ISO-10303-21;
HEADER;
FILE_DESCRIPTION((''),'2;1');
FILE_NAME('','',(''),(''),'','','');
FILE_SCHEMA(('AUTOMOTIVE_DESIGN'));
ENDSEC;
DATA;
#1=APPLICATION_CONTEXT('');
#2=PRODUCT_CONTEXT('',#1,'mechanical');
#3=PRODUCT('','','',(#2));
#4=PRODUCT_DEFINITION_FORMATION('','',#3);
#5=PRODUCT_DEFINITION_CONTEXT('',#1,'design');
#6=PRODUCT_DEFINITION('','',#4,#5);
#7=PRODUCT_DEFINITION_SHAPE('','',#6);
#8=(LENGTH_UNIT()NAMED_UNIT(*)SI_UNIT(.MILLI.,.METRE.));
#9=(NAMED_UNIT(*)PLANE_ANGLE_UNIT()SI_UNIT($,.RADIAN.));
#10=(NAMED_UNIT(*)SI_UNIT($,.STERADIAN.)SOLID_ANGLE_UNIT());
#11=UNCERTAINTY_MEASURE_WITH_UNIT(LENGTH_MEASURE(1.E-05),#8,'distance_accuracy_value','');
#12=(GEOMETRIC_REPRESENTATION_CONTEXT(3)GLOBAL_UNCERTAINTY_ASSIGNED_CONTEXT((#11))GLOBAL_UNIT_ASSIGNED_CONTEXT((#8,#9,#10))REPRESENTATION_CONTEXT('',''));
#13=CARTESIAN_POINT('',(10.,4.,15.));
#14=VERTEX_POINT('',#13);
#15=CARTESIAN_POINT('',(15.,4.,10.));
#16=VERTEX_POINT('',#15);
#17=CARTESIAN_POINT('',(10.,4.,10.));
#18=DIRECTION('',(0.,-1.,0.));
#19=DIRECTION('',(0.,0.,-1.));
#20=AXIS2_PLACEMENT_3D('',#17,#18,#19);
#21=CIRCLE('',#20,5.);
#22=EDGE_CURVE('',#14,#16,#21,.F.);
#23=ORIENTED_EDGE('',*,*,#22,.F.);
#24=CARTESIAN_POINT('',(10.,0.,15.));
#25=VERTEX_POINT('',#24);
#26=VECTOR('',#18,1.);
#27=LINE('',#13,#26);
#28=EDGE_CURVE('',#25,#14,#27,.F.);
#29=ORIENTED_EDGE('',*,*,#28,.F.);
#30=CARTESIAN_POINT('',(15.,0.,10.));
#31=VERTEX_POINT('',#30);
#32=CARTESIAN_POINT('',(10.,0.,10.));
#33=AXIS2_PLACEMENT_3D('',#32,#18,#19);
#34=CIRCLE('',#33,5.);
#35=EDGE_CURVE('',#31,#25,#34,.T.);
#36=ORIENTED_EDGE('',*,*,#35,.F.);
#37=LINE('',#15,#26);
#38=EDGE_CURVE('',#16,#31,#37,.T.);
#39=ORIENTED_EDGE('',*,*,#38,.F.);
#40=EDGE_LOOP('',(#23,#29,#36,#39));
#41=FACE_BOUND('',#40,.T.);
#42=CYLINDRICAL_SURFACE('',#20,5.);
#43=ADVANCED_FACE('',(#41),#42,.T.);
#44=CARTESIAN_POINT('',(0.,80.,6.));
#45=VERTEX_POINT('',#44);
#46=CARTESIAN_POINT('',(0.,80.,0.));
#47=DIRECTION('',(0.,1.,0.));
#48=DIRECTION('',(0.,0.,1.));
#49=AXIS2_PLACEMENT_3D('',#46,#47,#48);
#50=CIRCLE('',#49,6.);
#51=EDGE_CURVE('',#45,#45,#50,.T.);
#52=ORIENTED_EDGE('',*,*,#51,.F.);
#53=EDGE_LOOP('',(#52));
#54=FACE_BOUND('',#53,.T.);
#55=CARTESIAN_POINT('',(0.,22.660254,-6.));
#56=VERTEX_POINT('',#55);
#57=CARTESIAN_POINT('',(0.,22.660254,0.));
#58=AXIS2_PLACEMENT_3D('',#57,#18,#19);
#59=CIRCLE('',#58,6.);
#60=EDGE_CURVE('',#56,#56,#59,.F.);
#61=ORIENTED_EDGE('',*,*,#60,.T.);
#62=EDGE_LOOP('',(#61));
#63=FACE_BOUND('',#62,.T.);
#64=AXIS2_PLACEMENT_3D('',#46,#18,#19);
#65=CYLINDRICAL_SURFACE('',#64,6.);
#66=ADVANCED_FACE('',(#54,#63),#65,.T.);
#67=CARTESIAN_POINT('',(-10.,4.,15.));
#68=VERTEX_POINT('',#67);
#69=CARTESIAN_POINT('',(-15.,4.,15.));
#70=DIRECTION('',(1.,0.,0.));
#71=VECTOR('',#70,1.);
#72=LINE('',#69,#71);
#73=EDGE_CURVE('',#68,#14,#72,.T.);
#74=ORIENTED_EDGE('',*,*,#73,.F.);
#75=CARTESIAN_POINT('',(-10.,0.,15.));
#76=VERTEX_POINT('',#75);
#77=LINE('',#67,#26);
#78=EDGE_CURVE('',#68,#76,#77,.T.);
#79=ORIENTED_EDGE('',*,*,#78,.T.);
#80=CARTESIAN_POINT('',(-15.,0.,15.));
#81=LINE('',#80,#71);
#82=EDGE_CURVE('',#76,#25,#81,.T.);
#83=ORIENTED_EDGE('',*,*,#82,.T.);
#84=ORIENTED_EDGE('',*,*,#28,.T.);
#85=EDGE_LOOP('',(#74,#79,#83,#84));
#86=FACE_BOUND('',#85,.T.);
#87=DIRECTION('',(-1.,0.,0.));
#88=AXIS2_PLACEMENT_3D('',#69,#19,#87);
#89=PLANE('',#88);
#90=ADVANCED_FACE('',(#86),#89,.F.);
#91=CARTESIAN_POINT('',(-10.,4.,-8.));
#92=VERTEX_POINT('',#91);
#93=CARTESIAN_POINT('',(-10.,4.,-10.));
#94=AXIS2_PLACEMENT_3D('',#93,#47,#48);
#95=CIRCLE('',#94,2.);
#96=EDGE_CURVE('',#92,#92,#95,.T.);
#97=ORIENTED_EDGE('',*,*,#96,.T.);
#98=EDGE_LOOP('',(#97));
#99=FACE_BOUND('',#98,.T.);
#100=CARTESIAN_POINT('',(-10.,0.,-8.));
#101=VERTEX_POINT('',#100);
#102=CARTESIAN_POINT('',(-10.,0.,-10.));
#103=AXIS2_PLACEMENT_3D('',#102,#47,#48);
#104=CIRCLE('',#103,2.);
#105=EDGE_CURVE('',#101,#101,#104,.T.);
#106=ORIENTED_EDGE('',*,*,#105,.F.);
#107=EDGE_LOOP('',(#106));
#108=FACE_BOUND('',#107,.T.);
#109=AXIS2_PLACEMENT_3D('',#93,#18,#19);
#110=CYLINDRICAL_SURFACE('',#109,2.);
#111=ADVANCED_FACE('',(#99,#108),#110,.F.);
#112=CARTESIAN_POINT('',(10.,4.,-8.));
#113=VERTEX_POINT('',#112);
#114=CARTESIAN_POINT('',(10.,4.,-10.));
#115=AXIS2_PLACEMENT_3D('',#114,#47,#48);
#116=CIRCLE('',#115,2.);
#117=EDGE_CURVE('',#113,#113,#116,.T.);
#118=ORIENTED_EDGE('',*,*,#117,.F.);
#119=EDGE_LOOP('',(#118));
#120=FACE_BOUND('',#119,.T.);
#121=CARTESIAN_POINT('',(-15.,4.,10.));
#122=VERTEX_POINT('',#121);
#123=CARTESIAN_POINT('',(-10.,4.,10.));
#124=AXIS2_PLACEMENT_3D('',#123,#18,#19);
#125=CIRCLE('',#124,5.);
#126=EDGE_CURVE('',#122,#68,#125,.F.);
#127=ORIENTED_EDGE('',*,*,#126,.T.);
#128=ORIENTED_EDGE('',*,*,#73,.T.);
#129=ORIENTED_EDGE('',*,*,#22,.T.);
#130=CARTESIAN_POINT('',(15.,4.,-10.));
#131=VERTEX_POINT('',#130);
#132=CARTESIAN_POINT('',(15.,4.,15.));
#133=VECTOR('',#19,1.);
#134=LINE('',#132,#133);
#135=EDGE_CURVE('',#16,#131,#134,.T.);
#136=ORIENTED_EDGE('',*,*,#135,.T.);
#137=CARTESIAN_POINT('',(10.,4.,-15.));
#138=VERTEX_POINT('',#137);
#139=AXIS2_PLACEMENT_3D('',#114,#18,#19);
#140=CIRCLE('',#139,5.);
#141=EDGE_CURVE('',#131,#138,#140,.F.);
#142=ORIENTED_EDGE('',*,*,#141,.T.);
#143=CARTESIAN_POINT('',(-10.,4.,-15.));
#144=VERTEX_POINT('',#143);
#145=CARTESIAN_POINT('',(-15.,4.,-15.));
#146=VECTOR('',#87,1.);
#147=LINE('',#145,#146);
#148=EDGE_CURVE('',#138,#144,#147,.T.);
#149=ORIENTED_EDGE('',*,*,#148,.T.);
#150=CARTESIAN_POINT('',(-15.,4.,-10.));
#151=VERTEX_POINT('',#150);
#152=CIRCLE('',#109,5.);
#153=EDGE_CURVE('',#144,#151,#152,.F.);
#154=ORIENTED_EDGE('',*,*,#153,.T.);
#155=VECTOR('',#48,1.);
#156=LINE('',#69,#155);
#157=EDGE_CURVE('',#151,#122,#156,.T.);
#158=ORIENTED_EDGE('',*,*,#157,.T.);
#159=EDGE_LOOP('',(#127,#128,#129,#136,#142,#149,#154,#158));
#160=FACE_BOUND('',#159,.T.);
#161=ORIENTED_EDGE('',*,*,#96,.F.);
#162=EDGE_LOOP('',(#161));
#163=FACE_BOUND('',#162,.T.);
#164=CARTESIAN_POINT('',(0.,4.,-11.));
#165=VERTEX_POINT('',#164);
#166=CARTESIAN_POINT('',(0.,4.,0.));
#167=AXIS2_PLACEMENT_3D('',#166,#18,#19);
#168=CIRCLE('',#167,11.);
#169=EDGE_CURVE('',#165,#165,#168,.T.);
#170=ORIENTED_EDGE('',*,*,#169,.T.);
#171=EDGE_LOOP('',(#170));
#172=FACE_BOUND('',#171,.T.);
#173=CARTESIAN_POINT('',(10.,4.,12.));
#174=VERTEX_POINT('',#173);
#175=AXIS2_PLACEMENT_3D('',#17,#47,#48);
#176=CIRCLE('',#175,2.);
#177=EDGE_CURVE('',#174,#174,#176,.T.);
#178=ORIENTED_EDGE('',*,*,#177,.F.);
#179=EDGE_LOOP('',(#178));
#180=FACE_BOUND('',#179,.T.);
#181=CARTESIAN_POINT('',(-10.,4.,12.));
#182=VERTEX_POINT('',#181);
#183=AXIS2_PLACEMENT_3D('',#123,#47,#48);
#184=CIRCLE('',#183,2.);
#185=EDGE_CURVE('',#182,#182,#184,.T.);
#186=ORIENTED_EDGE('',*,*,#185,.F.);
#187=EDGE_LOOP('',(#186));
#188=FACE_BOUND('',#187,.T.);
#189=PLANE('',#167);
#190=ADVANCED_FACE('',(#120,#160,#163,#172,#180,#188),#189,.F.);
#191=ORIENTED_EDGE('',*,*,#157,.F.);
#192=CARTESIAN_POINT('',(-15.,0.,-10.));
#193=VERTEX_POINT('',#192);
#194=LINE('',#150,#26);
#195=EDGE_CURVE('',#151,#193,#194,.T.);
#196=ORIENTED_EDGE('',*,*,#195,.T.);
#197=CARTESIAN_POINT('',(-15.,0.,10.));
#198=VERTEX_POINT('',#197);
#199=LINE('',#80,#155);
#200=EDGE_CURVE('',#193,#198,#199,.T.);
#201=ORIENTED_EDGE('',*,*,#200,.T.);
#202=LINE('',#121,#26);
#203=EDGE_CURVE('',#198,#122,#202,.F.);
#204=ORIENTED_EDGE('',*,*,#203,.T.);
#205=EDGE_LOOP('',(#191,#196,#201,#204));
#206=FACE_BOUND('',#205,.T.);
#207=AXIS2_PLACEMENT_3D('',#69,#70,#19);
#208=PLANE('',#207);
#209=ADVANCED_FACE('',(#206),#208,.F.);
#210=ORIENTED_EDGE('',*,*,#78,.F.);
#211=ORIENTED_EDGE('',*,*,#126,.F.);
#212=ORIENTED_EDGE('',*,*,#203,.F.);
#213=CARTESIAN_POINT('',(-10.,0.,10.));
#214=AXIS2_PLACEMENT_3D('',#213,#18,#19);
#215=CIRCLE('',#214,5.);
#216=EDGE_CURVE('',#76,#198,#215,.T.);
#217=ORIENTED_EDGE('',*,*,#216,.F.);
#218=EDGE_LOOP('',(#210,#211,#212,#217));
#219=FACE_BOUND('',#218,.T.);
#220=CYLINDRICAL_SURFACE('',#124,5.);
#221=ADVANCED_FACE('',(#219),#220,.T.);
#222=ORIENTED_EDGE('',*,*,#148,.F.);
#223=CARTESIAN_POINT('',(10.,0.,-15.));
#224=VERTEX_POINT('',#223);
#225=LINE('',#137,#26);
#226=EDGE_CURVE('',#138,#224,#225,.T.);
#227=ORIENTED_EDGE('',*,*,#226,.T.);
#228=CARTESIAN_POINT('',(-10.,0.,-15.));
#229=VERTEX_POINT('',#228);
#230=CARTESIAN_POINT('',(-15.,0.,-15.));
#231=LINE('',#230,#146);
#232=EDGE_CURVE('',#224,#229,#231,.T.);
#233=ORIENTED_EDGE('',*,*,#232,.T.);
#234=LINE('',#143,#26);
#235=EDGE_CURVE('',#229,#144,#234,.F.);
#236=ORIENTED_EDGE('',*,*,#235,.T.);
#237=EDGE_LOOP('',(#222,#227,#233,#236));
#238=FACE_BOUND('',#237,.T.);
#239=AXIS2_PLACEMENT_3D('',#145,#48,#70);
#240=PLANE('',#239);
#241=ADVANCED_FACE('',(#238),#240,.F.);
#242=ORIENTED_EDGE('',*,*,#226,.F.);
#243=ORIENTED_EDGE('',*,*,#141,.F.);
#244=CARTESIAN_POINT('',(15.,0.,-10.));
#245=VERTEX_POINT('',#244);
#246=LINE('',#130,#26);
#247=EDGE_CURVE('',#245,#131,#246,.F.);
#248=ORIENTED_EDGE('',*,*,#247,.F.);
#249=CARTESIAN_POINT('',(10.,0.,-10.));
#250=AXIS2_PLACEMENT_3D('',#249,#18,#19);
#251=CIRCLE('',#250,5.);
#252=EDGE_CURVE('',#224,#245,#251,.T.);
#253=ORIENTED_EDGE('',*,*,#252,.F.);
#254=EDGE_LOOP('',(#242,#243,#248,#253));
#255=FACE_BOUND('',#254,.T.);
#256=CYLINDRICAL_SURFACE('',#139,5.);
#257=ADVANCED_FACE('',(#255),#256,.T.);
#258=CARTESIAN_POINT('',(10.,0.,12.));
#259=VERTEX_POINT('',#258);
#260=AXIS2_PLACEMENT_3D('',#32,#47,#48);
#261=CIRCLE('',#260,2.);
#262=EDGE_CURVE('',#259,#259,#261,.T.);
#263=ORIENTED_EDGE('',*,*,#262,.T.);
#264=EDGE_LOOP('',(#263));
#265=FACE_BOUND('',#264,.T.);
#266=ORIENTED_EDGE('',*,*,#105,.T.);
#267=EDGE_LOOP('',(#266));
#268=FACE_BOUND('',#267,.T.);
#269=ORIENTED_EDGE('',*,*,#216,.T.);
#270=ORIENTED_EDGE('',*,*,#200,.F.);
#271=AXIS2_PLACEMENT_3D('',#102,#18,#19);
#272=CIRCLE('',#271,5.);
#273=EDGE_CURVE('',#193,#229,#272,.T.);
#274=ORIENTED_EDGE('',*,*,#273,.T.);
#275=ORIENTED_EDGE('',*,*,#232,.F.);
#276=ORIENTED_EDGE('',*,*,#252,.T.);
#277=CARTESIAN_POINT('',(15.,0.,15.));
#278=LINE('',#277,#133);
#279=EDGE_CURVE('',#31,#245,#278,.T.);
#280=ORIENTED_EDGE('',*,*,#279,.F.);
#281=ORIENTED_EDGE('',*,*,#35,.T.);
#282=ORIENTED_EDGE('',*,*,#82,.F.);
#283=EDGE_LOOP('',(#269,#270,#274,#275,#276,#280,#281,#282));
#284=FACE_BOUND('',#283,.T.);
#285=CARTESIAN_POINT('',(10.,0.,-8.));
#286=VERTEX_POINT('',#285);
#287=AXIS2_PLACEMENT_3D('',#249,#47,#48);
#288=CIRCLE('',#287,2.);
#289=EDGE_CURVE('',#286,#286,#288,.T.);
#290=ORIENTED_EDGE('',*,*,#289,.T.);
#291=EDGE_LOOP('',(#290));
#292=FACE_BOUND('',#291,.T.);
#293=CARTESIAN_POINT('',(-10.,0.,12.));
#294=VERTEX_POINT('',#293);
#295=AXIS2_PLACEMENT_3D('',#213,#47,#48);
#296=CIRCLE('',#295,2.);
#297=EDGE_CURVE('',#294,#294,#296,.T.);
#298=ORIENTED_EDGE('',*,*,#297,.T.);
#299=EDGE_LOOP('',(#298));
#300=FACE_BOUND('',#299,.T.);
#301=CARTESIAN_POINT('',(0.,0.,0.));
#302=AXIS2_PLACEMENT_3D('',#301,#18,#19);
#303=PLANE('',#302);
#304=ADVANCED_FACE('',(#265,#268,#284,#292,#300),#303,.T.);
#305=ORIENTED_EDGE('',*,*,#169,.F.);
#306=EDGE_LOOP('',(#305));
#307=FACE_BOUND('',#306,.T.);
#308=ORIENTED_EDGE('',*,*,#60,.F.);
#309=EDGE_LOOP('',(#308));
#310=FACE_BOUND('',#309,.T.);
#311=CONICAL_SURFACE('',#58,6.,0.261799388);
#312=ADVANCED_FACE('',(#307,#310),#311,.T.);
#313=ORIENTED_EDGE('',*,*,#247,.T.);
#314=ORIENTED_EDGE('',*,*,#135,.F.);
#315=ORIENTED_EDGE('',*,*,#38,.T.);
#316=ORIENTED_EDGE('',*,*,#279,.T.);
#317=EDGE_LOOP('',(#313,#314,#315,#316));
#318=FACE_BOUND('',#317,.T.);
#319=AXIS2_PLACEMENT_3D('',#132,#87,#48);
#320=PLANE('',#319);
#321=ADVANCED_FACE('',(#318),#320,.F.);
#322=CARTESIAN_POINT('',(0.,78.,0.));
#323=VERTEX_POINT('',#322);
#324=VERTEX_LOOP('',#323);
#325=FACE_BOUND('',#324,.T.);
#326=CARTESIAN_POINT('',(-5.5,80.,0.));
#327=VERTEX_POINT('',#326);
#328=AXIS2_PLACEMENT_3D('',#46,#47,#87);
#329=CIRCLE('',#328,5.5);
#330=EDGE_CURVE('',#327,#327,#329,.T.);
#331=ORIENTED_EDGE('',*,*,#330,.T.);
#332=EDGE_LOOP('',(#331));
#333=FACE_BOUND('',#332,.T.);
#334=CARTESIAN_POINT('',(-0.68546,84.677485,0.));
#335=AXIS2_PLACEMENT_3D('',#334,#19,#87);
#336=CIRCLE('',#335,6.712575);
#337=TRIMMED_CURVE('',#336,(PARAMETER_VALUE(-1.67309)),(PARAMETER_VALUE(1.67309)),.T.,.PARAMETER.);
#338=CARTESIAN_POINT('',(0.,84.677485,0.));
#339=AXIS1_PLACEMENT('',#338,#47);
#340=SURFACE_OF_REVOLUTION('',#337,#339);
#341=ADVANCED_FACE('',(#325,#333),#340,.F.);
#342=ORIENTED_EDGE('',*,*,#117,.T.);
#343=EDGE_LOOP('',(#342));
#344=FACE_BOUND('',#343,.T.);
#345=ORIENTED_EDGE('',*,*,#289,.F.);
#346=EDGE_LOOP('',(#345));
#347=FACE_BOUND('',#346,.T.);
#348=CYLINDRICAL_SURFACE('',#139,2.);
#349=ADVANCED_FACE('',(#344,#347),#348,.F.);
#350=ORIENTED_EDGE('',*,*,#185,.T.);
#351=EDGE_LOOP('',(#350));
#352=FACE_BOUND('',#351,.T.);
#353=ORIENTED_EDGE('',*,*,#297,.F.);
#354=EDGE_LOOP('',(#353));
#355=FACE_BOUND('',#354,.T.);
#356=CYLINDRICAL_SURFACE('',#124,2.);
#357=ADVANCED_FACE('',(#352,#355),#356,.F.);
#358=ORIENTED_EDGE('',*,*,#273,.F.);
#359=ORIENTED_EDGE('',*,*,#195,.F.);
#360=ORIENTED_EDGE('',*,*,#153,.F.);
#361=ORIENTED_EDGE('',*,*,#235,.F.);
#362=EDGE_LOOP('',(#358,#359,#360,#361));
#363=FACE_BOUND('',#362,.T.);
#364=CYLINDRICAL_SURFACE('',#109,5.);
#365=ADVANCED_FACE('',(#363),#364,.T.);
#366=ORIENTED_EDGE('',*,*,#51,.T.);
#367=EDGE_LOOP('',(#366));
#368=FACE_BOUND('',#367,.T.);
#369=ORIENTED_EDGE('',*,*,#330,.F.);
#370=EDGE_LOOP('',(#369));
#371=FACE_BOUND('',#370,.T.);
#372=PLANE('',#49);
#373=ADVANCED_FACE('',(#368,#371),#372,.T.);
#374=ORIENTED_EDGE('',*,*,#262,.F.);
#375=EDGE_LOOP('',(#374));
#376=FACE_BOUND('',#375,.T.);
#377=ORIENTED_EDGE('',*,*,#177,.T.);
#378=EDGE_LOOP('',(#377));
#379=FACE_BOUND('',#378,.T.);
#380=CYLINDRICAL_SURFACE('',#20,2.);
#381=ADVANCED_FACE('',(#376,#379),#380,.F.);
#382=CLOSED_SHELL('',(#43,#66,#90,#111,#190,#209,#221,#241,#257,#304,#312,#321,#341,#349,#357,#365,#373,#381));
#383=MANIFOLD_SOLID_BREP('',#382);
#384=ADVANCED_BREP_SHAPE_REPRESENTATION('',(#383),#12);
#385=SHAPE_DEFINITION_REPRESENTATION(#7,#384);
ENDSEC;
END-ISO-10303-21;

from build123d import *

# Parameters (mm, degrees)
SKETCH_1_W      = 30
SKETCH_1_H      = 30
SKETCH_1_R      = 2
EXTRUDE_1_DEPTH = 4
FILLET_1_R      = 5
SKETCH_2_R      = 6
EXTRUDE_2_DEPTH = 76
CHAMFER_1_SIZE  = 5
CHAMFER_1_SIZE2 = 18.660254038


with BuildPart() as part:
    # Эскиз1 → Бобышка-Вытянуть1 (new body)
    with BuildSketch(Plane(origin=(0, 0, 0), x_dir=(1, 0, 0), z_dir=(0, 1, 0))):
        Rectangle(SKETCH_1_W, SKETCH_1_H)
        with Locations(Location((-10, 10, 0), (0, 0, 270))):
            Circle(SKETCH_1_R, mode=Mode.SUBTRACT)
        with Locations(Location((10, 10, 0), (0, 0, 270))):
            Circle(SKETCH_1_R, mode=Mode.SUBTRACT)
        with Locations(Location((10, -10, 0), (0, 0, 270))):
            Circle(SKETCH_1_R, mode=Mode.SUBTRACT)
        with Locations(Location((-10, -10, 0), (0, 0, 270))):
            Circle(SKETCH_1_R, mode=Mode.SUBTRACT)
    extrude(amount=EXTRUDE_1_DEPTH)

    # Скругление1
    fillet_1_edges = [part.edges().sort_by_distance(p)[0] for p in [
        (15, 2, 15),
        (-15, 2, 15),
        (-15, 2, -15),
        (15, 2, -15),
    ]]
    fillet(fillet_1_edges, radius=FILLET_1_R)

    # Эскиз2 → Бобышка-Вытянуть2 (add)
    with BuildSketch(Plane(origin=(0, 4, 0), x_dir=(1, 0, 0), z_dir=(0, 1, 0))):
        with Locations(Location((0, 0, 0), (0, 0, 270))):
            Circle(SKETCH_2_R)
    extrude(amount=EXTRUDE_2_DEPTH)

    # Эскиз7 → Вырез-Повернуть3 (revolve, cut)
    with BuildSketch(Plane.XY):
        with BuildLine():
            Line((5.5, 80), (0, 80))
            Line((0, 80), (0, 78))
            ThreePointArc((0, 78), (2.979435889, 78.369051304), (5.5, 80))
        make_face()
    revolve(axis=Axis((0, 82.404747685, 0), (0, -1, 0)), mode=Mode.SUBTRACT)

    # Фаска1
    chamfer_1_edges = [part.edges().sort_by_distance(p)[0] for p in [
        (0, 4, -6),
    ]]
    chamfer_1_side = [part.faces().sort_by_distance(p)[0] for p in [
        (0, 4, 14.575735931),
    ]]
    chamfer(chamfer_1_edges, length=CHAMFER_1_SIZE, length2=CHAMFER_1_SIZE2, reference=chamfer_1_side[0])


solid = part.part
